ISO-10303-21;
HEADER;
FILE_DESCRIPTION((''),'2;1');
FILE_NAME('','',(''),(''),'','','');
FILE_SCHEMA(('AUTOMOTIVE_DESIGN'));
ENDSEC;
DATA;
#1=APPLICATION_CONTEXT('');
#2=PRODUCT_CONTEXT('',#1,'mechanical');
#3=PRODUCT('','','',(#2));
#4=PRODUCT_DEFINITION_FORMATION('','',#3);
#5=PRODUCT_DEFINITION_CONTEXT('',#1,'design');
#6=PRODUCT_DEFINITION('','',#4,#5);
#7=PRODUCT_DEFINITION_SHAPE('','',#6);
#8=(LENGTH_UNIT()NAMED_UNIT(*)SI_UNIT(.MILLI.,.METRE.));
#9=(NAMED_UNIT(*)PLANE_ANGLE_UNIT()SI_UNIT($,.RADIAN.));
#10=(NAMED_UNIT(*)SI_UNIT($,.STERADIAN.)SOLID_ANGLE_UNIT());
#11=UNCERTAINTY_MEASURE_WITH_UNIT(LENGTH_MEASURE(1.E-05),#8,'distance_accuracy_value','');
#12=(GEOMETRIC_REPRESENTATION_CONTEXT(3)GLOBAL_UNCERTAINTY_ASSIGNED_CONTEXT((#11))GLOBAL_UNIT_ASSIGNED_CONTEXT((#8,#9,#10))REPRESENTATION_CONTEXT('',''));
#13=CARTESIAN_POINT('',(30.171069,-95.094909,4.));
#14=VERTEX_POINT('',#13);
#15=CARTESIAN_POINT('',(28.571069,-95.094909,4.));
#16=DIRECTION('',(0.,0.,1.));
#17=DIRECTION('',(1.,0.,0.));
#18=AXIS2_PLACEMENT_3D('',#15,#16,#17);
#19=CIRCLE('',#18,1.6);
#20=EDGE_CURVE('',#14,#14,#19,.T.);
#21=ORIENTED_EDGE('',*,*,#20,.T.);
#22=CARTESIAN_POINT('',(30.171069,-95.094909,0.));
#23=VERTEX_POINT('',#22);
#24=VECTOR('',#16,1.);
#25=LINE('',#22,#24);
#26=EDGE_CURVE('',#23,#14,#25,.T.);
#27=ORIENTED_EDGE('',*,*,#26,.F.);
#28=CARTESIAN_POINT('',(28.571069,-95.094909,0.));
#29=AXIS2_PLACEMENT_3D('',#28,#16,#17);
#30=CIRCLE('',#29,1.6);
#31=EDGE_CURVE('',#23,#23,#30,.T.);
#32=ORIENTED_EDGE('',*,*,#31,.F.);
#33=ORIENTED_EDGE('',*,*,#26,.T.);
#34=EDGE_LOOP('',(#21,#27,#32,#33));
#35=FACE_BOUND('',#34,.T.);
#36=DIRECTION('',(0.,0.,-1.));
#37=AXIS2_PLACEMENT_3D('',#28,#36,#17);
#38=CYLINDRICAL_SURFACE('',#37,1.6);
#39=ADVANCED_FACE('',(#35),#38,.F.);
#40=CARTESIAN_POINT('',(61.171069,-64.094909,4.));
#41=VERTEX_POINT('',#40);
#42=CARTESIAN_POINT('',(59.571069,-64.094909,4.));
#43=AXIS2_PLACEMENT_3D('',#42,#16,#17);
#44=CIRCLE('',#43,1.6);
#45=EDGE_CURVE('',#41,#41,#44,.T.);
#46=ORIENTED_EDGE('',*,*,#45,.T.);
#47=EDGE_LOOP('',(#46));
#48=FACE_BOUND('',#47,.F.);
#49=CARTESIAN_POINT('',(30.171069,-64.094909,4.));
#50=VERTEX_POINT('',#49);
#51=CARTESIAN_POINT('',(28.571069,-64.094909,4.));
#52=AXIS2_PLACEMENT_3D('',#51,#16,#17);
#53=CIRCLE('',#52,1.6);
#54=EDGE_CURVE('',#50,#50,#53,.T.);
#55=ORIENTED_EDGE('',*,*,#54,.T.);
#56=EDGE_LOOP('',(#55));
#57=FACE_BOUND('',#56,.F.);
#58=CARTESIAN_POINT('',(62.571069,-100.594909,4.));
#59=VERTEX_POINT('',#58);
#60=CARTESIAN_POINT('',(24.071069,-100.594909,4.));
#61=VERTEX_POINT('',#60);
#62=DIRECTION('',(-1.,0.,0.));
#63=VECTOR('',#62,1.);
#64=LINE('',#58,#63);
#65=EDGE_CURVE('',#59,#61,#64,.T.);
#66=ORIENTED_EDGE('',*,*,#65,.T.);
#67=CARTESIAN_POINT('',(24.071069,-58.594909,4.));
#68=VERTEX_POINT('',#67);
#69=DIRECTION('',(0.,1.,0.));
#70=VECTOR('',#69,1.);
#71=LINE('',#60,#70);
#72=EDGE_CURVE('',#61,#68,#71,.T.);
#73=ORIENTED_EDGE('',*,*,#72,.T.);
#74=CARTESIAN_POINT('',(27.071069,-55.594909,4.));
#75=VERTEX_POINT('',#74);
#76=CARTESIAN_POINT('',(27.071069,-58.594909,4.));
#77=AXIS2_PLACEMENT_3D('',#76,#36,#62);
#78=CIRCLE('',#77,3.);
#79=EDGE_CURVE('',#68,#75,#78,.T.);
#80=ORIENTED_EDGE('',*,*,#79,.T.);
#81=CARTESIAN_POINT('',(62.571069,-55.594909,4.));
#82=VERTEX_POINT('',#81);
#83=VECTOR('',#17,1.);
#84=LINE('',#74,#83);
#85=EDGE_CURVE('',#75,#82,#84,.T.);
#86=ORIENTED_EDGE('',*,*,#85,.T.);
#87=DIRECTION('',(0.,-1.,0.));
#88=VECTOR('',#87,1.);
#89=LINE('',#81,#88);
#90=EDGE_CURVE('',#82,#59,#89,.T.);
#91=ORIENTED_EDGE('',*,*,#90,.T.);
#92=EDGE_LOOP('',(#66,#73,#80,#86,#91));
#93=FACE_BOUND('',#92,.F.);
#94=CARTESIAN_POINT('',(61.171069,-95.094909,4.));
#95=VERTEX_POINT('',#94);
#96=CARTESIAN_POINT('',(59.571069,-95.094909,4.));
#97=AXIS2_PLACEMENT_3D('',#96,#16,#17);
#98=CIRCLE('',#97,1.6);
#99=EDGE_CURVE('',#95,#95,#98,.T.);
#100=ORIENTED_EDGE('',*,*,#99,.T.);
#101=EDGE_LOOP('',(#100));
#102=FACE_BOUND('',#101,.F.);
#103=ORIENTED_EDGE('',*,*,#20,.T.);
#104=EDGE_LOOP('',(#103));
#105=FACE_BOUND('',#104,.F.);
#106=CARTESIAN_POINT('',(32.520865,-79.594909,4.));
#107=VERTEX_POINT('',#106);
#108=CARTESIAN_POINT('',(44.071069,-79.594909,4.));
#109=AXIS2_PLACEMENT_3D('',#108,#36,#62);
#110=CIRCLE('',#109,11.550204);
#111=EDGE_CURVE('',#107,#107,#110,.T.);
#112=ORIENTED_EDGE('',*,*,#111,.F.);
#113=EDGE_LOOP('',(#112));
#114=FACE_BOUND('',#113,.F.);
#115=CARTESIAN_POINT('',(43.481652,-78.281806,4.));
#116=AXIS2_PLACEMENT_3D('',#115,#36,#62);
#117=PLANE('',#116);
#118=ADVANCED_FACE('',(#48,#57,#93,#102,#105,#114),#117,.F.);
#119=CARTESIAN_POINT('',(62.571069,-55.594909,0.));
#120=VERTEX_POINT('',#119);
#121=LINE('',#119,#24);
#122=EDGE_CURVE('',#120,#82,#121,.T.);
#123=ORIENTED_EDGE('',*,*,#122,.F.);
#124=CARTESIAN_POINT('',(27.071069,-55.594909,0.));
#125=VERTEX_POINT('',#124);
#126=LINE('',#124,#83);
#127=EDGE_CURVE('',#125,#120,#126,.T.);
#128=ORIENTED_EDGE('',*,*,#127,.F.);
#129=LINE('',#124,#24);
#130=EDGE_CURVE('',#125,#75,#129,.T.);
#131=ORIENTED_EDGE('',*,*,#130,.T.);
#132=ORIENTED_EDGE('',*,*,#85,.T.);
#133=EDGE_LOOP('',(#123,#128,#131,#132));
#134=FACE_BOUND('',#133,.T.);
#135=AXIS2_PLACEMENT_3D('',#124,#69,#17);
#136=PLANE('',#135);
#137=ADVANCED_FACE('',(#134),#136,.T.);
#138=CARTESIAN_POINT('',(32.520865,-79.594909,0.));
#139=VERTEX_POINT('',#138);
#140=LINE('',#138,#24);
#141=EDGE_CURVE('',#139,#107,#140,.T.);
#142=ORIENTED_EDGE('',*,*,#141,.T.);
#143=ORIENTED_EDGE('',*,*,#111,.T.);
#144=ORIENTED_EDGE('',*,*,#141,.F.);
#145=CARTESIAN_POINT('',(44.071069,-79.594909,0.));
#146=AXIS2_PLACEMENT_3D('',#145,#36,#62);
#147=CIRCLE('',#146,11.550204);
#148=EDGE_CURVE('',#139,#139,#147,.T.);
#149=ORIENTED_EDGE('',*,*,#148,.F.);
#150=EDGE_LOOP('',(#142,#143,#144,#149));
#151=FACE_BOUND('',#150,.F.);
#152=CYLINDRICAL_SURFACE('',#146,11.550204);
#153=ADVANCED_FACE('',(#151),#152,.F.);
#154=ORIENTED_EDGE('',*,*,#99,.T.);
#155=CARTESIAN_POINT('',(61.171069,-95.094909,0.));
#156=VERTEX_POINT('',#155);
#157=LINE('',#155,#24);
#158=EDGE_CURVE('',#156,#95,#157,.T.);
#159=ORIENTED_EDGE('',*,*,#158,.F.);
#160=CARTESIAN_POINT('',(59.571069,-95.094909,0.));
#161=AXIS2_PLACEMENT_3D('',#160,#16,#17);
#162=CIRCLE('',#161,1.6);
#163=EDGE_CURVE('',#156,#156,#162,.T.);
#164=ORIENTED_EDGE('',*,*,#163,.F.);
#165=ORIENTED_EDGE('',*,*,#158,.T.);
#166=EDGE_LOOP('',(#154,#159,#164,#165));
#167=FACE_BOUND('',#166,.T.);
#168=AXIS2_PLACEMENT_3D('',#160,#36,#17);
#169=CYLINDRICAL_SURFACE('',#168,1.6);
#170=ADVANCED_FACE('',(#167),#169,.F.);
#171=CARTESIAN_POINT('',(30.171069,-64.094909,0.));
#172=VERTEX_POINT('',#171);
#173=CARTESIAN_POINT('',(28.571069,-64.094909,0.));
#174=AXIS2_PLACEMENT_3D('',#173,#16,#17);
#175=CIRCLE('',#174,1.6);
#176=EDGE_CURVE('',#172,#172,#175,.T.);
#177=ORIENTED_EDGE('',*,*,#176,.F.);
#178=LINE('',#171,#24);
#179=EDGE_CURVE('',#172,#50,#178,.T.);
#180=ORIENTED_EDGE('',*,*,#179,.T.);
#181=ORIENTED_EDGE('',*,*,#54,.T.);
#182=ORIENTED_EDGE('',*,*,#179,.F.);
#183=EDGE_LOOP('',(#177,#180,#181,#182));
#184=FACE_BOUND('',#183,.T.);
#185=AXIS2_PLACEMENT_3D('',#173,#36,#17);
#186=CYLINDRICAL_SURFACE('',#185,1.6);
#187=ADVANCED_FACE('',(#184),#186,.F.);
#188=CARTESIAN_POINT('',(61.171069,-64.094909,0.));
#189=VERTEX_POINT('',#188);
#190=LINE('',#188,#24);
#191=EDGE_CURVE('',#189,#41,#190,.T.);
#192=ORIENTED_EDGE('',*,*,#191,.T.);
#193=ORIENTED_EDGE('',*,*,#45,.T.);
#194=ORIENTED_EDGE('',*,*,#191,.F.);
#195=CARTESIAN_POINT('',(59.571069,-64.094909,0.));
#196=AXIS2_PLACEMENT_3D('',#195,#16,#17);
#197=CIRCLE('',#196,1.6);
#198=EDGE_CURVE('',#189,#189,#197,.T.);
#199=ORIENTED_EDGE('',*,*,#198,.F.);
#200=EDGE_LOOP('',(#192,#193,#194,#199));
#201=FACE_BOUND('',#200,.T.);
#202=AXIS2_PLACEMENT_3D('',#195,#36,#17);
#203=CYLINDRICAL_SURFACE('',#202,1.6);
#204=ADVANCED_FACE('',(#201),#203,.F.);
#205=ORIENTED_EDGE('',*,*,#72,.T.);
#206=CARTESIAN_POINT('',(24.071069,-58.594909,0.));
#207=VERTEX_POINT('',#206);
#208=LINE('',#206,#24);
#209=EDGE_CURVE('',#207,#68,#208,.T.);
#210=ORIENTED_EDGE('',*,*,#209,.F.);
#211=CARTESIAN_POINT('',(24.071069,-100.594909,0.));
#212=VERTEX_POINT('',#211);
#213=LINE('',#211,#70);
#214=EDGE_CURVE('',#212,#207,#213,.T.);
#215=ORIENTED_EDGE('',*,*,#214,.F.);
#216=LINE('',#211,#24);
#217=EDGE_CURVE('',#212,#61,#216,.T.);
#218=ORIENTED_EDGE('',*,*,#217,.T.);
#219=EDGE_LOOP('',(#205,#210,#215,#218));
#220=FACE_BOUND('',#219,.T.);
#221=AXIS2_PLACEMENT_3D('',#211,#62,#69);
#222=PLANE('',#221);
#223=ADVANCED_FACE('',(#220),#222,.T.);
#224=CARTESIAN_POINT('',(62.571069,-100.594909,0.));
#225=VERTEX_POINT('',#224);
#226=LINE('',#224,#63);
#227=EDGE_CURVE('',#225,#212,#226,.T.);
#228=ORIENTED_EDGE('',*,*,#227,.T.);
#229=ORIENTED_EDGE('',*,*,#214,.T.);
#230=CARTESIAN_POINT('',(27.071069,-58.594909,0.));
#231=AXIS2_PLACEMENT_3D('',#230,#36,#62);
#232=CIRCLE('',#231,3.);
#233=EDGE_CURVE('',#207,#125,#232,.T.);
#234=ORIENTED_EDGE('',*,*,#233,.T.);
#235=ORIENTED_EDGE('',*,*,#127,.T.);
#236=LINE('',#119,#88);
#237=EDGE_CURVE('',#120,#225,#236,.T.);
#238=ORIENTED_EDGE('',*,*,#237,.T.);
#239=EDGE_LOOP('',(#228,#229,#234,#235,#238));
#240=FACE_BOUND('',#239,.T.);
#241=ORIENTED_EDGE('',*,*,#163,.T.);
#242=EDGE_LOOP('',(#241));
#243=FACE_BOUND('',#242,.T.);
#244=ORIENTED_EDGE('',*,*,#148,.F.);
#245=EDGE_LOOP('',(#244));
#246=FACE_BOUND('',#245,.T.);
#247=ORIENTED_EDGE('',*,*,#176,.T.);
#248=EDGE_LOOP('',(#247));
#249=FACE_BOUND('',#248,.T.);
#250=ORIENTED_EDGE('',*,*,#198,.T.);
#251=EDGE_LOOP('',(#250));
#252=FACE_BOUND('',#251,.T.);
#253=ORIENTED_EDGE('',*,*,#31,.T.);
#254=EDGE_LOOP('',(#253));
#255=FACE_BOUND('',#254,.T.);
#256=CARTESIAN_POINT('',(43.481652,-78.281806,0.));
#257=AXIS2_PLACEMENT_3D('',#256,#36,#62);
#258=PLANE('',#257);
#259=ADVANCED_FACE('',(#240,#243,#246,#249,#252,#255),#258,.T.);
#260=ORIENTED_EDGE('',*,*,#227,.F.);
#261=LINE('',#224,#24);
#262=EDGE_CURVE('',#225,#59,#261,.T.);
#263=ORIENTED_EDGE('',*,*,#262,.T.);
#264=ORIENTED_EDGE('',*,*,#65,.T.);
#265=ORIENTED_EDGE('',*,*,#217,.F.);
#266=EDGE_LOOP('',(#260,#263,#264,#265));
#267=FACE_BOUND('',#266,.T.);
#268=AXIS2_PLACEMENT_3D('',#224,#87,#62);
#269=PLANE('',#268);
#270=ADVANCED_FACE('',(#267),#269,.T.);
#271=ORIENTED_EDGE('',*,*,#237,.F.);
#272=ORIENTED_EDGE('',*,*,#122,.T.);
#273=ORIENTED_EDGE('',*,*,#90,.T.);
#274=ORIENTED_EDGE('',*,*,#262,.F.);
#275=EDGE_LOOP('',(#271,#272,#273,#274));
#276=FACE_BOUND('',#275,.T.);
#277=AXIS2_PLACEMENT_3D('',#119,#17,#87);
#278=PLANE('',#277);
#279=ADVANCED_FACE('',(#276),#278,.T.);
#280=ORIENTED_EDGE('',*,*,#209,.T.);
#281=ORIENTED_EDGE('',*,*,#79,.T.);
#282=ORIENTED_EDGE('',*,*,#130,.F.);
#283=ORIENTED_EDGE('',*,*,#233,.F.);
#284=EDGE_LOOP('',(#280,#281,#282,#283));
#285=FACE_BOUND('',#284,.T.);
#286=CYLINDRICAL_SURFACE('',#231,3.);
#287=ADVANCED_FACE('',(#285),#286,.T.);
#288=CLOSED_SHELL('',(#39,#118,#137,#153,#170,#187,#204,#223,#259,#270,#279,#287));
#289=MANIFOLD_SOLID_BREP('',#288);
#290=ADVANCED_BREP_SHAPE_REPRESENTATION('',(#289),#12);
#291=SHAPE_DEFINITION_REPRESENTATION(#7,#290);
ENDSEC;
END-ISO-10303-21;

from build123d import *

# Parameters (mm, degrees)
SKETCH1_R           = 1.6
SKETCH1_R_2         = 3
BOSS_EXTRUDE1_DEPTH = 4
SKETCH2_R           = 11.550203763
CUT_EXTRUDE1_DEPTH  = 5


with BuildPart() as part:
    # Sketch1 → Boss-Extrude1 (new body)
    with BuildSketch(Plane.XY):
        with BuildLine():
            Line((27.071068699, -55.594908829), (62.571068699, -55.594908829))
            Line((62.571068699, -55.594908829), (62.571068699, -100.594908829))
            Line((62.571068699, -100.594908829), (24.071068699, -100.594908829))
            Line((24.071068699, -100.594908829), (24.071068699, -58.594908829))
            ThreePointArc((24.071068699, -58.594908829), (24.949748355, -56.473588486), (27.071068699, -55.594908829))
        make_face()
        with Locations((28.571068699, -64.094908829)):
            Circle(SKETCH1_R, mode=Mode.SUBTRACT)
        with Locations((44.071068699, -79.594908829)):
            Circle(SKETCH1_R_2, mode=Mode.SUBTRACT)
        with Locations((59.571068699, -64.094908829)):
            Circle(SKETCH1_R, mode=Mode.SUBTRACT)
        with Locations((28.571068699, -95.094908829)):
            Circle(SKETCH1_R, mode=Mode.SUBTRACT)
        with Locations((59.571068699, -95.094908829)):
            Circle(SKETCH1_R, mode=Mode.SUBTRACT)
    extrude(amount=BOSS_EXTRUDE1_DEPTH)

    # Sketch2 → Cut-Extrude1 (cut)
    with BuildSketch(Plane(origin=(0, 0, 0), x_dir=(-1, 0, 0), z_dir=(0, 0, -1))):
        with Locations((-44.071068699, -79.594908829)):
            Circle(SKETCH2_R)
    extrude(amount=-CUT_EXTRUDE1_DEPTH, mode=Mode.SUBTRACT)


solid = part.part
